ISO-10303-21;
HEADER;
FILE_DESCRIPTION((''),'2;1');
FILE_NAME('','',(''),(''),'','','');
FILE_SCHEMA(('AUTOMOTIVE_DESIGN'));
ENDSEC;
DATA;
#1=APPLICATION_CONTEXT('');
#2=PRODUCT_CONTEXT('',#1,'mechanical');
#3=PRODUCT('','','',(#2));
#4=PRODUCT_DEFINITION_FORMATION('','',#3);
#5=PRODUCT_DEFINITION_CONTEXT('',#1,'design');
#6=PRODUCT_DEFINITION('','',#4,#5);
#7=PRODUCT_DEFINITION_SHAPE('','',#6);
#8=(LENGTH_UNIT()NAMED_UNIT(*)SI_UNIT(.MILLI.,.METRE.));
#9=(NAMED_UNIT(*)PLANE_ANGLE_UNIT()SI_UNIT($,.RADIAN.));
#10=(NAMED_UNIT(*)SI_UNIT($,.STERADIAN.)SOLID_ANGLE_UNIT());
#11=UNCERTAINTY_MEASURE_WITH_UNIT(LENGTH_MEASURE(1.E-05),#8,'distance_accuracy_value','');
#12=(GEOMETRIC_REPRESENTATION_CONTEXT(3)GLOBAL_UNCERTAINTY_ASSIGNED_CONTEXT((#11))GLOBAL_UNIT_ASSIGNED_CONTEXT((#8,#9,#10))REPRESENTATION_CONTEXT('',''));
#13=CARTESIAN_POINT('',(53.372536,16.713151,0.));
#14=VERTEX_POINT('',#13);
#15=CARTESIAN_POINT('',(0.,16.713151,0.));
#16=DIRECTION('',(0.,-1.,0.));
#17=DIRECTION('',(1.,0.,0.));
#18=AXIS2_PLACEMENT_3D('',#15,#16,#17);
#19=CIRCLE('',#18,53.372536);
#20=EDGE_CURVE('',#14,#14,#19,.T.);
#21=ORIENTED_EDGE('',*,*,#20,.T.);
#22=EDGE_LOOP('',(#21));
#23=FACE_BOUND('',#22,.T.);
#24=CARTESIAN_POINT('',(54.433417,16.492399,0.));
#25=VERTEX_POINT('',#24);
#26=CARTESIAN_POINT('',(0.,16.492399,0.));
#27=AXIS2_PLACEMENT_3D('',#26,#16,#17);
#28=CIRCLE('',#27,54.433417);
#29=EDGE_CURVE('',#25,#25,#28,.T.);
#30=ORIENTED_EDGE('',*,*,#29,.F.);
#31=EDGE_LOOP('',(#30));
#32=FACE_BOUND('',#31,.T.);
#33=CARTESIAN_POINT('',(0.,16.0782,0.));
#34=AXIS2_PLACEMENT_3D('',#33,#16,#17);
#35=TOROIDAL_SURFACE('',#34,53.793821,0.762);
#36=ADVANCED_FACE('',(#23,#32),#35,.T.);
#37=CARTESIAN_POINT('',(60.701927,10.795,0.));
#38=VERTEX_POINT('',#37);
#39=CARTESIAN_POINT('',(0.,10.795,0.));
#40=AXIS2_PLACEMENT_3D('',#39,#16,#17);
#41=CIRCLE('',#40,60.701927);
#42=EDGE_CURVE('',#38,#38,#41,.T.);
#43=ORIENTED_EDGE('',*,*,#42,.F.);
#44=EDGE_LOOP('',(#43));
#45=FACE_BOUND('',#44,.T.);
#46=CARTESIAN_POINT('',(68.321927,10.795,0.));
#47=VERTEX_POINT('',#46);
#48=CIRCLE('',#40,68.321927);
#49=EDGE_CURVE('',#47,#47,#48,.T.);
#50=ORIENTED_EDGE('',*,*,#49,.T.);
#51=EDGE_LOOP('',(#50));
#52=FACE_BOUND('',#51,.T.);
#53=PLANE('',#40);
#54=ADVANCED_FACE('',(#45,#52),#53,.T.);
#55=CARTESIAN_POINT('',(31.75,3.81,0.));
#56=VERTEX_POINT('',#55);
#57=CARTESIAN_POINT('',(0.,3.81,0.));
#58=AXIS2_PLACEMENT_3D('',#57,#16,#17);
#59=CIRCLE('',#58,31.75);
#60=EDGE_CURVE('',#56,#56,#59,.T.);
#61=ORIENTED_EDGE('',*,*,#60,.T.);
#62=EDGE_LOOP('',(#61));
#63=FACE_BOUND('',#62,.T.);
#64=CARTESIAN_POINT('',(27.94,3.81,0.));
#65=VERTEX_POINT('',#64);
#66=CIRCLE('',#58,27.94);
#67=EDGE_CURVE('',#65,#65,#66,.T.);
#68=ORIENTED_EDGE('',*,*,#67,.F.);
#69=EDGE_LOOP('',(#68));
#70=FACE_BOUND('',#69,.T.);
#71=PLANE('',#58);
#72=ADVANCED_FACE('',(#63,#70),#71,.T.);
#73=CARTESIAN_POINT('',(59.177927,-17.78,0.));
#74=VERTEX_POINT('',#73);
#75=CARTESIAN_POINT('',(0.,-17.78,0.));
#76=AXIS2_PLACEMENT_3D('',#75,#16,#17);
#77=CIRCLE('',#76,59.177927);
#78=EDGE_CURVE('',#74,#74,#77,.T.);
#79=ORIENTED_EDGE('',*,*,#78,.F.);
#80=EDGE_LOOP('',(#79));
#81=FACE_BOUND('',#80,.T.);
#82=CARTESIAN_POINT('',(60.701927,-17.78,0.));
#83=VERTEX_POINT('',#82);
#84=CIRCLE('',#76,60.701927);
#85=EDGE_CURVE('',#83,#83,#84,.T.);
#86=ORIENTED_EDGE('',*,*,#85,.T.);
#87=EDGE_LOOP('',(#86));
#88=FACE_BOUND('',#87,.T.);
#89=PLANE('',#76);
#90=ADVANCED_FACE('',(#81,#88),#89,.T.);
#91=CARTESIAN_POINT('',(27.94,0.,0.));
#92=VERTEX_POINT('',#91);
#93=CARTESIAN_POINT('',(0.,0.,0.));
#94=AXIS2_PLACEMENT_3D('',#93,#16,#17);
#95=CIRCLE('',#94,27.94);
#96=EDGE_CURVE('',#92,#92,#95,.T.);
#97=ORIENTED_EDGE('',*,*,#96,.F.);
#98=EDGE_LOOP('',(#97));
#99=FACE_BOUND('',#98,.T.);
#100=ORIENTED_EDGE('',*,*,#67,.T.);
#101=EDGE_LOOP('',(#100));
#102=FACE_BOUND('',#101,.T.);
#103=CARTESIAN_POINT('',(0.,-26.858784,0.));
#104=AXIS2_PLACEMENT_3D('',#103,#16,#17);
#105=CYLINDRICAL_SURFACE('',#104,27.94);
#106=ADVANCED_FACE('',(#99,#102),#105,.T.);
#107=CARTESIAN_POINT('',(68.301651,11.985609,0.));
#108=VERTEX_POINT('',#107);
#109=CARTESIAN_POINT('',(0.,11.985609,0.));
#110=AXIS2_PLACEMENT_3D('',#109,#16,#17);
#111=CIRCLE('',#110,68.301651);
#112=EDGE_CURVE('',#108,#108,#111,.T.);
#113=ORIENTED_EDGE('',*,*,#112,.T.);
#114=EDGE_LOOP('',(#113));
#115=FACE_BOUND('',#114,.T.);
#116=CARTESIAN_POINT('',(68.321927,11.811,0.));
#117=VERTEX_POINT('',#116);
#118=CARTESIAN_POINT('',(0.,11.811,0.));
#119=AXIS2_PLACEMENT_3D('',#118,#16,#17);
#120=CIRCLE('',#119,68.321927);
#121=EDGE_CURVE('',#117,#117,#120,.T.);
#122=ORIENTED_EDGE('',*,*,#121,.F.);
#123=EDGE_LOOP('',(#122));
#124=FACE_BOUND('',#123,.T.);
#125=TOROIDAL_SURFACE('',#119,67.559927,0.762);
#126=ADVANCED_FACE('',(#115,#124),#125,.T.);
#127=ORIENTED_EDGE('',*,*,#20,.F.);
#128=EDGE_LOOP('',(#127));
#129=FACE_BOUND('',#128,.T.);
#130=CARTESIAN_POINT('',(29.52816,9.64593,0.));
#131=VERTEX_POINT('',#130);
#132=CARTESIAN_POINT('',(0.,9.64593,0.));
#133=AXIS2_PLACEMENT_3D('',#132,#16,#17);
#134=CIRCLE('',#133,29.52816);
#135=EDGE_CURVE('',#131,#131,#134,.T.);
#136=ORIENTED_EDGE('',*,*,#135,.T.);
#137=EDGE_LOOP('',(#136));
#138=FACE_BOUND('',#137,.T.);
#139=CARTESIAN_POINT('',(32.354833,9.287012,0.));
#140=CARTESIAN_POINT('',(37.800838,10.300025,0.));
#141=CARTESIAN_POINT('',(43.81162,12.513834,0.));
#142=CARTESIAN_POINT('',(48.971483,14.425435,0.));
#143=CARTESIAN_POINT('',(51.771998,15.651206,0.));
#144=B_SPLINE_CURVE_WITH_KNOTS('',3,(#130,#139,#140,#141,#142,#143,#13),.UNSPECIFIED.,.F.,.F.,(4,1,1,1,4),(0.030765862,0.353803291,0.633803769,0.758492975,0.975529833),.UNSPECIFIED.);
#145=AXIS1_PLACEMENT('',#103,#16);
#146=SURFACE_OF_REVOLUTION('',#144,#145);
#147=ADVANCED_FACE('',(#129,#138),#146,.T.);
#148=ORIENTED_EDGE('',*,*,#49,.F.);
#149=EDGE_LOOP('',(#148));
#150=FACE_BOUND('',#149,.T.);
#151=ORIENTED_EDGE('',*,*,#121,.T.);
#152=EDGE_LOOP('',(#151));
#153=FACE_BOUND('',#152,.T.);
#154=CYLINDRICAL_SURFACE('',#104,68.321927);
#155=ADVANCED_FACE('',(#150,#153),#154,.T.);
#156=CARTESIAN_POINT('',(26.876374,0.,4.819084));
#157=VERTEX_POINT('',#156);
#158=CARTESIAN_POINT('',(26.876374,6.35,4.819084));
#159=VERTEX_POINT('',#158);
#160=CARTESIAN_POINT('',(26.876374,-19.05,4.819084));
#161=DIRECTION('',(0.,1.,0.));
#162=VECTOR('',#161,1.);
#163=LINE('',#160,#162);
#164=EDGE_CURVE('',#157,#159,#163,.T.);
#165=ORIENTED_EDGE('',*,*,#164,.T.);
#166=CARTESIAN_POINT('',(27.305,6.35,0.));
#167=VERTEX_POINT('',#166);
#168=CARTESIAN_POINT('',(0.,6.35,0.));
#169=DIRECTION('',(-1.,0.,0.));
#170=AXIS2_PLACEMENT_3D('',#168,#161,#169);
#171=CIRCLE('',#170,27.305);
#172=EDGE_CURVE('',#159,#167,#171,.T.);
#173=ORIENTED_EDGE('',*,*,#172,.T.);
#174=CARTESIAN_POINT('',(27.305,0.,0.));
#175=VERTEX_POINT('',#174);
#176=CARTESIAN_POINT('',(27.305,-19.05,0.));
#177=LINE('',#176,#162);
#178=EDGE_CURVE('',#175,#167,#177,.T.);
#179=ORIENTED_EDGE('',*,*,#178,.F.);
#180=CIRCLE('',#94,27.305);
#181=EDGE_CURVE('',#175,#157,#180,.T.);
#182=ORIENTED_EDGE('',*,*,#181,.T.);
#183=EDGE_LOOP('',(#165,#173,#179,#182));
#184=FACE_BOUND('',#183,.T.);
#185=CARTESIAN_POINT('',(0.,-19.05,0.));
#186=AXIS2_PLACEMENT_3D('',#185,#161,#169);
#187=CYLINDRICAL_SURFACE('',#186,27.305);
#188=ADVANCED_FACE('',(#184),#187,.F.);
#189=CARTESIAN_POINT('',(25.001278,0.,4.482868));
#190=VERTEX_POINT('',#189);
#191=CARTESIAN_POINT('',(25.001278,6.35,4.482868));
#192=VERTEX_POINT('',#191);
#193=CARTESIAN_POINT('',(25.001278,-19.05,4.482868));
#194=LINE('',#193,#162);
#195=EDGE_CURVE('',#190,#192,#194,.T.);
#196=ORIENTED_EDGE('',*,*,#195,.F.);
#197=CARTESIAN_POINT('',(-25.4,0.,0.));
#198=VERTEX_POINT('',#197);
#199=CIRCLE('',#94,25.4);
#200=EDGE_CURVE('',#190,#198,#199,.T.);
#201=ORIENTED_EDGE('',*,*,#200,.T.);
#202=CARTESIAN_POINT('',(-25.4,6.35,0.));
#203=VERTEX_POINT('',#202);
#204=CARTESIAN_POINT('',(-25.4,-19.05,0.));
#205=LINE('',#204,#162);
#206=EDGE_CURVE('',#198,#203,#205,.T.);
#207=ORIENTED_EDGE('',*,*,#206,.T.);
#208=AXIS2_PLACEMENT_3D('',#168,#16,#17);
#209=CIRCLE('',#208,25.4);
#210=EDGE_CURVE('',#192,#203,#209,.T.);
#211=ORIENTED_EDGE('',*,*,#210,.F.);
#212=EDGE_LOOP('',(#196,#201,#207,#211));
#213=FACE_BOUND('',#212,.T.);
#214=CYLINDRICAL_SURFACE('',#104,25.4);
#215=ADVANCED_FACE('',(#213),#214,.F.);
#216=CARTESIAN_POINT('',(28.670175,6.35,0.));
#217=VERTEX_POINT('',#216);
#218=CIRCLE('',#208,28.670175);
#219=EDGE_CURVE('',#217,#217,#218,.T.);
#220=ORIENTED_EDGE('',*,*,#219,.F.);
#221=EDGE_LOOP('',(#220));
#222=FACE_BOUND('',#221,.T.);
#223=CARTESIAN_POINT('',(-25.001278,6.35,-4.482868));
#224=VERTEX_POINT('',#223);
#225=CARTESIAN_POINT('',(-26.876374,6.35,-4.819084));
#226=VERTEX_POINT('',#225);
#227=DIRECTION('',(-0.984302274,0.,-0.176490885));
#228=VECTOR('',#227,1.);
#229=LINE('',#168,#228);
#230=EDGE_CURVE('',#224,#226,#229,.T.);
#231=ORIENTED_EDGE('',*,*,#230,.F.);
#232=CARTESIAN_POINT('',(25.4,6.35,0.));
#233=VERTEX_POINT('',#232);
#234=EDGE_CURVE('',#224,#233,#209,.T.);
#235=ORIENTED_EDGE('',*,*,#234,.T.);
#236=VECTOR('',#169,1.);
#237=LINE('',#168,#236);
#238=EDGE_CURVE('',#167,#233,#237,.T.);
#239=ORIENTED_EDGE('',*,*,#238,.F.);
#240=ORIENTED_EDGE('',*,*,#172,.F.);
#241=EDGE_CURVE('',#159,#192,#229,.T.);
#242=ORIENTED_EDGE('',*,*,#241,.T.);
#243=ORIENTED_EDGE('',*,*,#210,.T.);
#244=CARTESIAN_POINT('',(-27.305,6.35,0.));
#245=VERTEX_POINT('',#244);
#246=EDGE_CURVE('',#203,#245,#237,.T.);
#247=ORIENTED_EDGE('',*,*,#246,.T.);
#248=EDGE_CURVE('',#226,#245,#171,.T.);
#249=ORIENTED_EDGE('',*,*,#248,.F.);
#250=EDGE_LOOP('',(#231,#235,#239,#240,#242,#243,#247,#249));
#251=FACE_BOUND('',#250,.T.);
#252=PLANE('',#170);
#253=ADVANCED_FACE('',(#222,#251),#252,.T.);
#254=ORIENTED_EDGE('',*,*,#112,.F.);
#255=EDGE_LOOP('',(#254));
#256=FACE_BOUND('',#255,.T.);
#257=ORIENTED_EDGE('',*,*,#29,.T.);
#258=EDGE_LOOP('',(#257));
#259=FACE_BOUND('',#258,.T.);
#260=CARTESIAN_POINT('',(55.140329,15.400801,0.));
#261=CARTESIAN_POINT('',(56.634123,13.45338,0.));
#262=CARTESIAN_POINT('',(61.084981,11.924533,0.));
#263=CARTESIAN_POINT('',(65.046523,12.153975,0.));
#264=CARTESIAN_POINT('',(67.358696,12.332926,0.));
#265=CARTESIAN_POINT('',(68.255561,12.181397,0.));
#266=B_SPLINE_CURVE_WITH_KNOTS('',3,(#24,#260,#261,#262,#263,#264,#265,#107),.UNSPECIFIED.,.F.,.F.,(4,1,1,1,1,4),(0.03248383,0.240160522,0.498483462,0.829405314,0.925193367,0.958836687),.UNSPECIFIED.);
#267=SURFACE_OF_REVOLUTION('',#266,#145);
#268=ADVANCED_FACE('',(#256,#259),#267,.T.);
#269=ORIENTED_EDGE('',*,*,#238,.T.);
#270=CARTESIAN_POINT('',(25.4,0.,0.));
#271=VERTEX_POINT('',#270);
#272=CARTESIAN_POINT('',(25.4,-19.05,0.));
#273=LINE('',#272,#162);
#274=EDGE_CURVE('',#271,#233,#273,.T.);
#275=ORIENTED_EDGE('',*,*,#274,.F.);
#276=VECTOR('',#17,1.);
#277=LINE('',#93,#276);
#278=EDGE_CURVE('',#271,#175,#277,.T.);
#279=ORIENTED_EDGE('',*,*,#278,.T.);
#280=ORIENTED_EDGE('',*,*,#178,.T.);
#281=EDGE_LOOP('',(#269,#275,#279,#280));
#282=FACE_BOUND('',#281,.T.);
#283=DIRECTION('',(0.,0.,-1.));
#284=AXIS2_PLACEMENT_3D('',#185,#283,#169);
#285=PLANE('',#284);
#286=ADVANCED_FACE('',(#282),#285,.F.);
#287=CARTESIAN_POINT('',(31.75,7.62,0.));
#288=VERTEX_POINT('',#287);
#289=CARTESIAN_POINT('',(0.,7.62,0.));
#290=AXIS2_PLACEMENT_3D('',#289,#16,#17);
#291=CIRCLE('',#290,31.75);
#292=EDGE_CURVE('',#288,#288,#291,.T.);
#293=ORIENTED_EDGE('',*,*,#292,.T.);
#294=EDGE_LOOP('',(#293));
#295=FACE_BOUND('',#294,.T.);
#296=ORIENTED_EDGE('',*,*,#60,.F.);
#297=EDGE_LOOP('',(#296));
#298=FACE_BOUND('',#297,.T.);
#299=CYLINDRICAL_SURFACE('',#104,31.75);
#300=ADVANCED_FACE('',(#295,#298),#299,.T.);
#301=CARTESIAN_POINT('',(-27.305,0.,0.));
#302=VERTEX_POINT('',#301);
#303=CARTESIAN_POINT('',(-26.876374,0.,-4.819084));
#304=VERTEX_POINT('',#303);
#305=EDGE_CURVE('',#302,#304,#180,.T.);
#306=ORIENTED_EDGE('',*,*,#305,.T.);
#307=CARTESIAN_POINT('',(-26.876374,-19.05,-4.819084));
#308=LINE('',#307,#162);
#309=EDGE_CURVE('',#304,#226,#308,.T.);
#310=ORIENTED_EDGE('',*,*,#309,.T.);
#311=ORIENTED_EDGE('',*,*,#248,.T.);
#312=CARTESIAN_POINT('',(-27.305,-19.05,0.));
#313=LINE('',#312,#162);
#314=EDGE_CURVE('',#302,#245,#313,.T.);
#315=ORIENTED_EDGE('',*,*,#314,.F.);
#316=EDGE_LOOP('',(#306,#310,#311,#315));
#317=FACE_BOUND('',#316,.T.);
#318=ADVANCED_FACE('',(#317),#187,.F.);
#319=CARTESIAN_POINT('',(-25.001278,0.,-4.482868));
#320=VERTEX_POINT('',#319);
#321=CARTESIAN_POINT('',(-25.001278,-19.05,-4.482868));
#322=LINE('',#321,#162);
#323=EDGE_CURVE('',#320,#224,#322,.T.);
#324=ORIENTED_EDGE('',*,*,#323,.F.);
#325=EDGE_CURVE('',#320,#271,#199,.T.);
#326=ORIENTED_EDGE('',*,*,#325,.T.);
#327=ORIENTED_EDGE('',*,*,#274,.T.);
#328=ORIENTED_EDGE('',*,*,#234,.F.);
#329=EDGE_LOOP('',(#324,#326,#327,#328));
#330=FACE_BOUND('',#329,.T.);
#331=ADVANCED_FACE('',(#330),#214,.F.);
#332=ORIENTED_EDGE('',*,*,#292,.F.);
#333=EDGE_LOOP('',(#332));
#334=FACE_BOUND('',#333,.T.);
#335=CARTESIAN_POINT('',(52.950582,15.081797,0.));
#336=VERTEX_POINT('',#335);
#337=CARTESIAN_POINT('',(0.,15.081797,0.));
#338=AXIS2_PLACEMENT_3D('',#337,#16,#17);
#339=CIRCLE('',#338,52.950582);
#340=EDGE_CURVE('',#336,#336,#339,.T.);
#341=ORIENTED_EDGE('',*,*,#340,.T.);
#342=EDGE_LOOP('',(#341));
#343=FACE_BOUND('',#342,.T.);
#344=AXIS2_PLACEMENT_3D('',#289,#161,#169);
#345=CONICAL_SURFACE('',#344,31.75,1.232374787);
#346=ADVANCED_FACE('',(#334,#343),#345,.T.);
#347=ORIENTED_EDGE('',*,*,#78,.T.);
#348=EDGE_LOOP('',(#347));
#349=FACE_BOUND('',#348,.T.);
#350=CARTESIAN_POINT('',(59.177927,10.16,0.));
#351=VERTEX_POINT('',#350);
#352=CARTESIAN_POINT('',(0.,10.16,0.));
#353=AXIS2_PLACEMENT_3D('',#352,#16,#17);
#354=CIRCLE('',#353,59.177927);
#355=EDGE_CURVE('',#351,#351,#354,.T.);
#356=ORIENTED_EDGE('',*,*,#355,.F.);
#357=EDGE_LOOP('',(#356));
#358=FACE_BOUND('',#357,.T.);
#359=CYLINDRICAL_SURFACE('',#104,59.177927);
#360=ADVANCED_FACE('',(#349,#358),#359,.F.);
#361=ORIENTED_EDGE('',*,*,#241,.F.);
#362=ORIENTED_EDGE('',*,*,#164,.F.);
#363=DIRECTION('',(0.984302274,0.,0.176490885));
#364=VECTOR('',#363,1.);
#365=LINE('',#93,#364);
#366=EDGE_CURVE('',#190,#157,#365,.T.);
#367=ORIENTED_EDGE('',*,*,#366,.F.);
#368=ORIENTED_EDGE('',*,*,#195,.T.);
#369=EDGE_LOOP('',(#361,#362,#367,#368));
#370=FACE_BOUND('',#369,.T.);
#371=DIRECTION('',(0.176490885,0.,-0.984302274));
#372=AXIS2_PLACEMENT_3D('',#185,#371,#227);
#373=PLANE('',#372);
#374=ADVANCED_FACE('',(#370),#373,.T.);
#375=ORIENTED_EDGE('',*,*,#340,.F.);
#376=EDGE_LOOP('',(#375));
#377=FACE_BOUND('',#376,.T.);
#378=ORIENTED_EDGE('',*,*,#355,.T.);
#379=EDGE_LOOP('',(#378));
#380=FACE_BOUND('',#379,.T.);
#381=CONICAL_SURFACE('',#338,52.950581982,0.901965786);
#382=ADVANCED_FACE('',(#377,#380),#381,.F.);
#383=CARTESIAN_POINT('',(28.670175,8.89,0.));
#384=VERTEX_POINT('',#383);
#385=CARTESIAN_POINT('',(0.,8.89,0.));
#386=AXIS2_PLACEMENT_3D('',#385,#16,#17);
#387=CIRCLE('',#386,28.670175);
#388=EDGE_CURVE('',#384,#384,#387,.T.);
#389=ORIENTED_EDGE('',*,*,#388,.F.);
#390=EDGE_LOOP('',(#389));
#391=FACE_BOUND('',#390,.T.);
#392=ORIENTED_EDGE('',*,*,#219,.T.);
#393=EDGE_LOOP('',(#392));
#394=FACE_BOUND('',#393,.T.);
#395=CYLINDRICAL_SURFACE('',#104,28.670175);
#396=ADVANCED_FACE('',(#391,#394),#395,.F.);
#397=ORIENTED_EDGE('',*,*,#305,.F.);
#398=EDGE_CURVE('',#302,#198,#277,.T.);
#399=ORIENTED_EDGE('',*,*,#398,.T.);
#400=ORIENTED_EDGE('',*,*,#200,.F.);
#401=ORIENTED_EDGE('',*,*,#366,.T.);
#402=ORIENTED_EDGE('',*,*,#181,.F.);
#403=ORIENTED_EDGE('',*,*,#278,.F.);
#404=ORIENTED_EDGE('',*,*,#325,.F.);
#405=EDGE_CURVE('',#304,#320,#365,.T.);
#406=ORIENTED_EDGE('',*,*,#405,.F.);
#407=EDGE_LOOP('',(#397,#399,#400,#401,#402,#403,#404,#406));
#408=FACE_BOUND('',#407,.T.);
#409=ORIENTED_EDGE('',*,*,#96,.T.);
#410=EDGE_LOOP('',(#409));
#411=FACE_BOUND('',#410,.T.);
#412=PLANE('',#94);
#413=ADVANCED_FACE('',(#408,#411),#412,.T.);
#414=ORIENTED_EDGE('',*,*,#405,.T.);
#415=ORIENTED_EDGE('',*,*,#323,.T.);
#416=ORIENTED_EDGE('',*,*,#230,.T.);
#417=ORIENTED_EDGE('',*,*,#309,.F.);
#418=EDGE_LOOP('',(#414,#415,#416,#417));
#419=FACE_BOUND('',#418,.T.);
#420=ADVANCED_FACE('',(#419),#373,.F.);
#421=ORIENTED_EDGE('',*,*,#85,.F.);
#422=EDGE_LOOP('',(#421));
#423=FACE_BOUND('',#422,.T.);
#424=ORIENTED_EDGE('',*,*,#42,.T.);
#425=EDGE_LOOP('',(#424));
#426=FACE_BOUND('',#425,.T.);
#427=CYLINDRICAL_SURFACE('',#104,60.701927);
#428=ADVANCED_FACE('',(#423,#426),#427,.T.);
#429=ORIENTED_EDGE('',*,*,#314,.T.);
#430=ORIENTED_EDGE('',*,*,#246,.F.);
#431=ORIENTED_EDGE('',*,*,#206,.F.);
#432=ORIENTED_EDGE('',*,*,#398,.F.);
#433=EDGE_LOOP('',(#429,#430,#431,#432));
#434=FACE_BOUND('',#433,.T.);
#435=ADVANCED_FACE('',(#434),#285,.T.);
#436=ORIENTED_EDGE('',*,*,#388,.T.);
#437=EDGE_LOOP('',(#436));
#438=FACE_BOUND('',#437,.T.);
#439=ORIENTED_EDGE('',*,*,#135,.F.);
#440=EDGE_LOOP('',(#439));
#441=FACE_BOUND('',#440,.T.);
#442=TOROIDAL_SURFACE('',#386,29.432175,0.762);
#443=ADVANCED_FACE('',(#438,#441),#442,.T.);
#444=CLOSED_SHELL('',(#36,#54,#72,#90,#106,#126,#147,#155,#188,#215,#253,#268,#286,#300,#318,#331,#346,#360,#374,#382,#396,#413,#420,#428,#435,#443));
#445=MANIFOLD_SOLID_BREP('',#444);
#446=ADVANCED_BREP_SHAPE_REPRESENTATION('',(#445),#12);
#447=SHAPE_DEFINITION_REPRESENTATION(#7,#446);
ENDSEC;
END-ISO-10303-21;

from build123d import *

# Parameters (mm, degrees)
CUT_EXTRUDE2_DEPTH = 25.4


with BuildPart() as part:
    # Sketch1 → Revolve1 (revolve)
    with BuildSketch(Plane.XY):
        with BuildLine():
            add(Edge.make_bspline(
                [(54.433417298, 16.49239871), (55.140329388, 15.400801012), (56.634122685, 13.453380309), (61.08498084, 11.924532968), (65.046523373, 12.153974865), (67.358695697, 12.33292583), (68.25556097, 12.181396929), (68.301651302, 11.985609278)],
                knots=[0.03248383, 0.03248383, 0.03248383, 0.03248383, 0.240160522, 0.498483462, 0.829405314, 0.925193367, 0.958836687, 0.958836687, 0.958836687, 0.958836687], degree=3))
            ThreePointArc((68.301651302, 11.985609278), (68.31684077, 11.898891248), (68.321926556, 11.811))
            Line((68.321926556, 11.811), (68.321926556, 10.795))
            Line((68.321926556, 10.795), (60.701926556, 10.795))
            Line((60.701926556, 10.795), (60.701926556, -17.78))
            Line((60.701926556, -17.78), (59.177926556, -17.78))
            Line((59.177926556, -17.78), (59.177926556, 10.16))
            Line((59.177926556, 10.16), (52.950581982, 15.081797011))
            Line((52.950581982, 15.081797011), (31.75, 7.62))
            Line((31.75, 7.62), (31.75, 3.81))
            Line((31.75, 3.81), (27.94, 3.81))
            Line((27.94, 3.81), (27.94, 0))
            Line((27.94, 0), (25.4, 0))
            Line((25.4, 0), (25.4, 6.35))
            Line((25.4, 6.35), (28.670175306, 6.35))
            Line((28.670175306, 6.35), (28.670175306, 8.89))
            ThreePointArc((28.670175306, 8.89), (28.928437505, 9.461744898), (29.528160156, 9.645930492))
            add(Edge.make_bspline(
                [(29.528160156, 9.645930492), (32.354832615, 9.287011602), (37.800838373, 10.300025022), (43.811619933, 12.513834286), (48.971482967, 14.425435391), (51.771997956, 15.651205638), (53.372535634, 16.713150898)],
                knots=[0.030765862, 0.030765862, 0.030765862, 0.030765862, 0.353803291, 0.633803769, 0.758492975, 0.975529833, 0.975529833, 0.975529833, 0.975529833], degree=3))
            ThreePointArc((53.372535634, 16.713150898), (53.949055653, 16.824220242), (54.433417298, 16.49239871))
        make_face()
    revolve(axis=Axis((0, -26.858783784, 0), (0, 1, 0)))

    # Sketch2 → Cut-Extrude2 (cut)
    with BuildSketch(Plane(origin=(0, 6.35, 0), x_dir=(1, 0, 0), z_dir=(0, 1, 0))):
        with BuildLine():
            ThreePointArc((26.876373604, -4.819083617), (27.197632307, -2.419053921), (27.305, 0))
            Line((27.305, 0), (25.4, 0))
            ThreePointArc((25.4, 0), (25.300123077, -2.250282718), (25.001277771, -4.482868481))
            Line((25.001277771, -4.482868481), (26.876373604, -4.819083617))
        make_face()
        with BuildLine():
            Line((-25.001277771, 4.482868481), (-26.876373604, 4.819083617))
            ThreePointArc((-26.876373604, 4.819083617), (-27.197632307, 2.419053921), (-27.305, 0))
            Line((-27.305, 0), (-25.4, 0))
            ThreePointArc((-25.4, 0), (-25.300123077, 2.250282718), (-25.001277771, 4.482868481))
        make_face()
    extrude(amount=-CUT_EXTRUDE2_DEPTH, mode=Mode.SUBTRACT)


solid = part.part
